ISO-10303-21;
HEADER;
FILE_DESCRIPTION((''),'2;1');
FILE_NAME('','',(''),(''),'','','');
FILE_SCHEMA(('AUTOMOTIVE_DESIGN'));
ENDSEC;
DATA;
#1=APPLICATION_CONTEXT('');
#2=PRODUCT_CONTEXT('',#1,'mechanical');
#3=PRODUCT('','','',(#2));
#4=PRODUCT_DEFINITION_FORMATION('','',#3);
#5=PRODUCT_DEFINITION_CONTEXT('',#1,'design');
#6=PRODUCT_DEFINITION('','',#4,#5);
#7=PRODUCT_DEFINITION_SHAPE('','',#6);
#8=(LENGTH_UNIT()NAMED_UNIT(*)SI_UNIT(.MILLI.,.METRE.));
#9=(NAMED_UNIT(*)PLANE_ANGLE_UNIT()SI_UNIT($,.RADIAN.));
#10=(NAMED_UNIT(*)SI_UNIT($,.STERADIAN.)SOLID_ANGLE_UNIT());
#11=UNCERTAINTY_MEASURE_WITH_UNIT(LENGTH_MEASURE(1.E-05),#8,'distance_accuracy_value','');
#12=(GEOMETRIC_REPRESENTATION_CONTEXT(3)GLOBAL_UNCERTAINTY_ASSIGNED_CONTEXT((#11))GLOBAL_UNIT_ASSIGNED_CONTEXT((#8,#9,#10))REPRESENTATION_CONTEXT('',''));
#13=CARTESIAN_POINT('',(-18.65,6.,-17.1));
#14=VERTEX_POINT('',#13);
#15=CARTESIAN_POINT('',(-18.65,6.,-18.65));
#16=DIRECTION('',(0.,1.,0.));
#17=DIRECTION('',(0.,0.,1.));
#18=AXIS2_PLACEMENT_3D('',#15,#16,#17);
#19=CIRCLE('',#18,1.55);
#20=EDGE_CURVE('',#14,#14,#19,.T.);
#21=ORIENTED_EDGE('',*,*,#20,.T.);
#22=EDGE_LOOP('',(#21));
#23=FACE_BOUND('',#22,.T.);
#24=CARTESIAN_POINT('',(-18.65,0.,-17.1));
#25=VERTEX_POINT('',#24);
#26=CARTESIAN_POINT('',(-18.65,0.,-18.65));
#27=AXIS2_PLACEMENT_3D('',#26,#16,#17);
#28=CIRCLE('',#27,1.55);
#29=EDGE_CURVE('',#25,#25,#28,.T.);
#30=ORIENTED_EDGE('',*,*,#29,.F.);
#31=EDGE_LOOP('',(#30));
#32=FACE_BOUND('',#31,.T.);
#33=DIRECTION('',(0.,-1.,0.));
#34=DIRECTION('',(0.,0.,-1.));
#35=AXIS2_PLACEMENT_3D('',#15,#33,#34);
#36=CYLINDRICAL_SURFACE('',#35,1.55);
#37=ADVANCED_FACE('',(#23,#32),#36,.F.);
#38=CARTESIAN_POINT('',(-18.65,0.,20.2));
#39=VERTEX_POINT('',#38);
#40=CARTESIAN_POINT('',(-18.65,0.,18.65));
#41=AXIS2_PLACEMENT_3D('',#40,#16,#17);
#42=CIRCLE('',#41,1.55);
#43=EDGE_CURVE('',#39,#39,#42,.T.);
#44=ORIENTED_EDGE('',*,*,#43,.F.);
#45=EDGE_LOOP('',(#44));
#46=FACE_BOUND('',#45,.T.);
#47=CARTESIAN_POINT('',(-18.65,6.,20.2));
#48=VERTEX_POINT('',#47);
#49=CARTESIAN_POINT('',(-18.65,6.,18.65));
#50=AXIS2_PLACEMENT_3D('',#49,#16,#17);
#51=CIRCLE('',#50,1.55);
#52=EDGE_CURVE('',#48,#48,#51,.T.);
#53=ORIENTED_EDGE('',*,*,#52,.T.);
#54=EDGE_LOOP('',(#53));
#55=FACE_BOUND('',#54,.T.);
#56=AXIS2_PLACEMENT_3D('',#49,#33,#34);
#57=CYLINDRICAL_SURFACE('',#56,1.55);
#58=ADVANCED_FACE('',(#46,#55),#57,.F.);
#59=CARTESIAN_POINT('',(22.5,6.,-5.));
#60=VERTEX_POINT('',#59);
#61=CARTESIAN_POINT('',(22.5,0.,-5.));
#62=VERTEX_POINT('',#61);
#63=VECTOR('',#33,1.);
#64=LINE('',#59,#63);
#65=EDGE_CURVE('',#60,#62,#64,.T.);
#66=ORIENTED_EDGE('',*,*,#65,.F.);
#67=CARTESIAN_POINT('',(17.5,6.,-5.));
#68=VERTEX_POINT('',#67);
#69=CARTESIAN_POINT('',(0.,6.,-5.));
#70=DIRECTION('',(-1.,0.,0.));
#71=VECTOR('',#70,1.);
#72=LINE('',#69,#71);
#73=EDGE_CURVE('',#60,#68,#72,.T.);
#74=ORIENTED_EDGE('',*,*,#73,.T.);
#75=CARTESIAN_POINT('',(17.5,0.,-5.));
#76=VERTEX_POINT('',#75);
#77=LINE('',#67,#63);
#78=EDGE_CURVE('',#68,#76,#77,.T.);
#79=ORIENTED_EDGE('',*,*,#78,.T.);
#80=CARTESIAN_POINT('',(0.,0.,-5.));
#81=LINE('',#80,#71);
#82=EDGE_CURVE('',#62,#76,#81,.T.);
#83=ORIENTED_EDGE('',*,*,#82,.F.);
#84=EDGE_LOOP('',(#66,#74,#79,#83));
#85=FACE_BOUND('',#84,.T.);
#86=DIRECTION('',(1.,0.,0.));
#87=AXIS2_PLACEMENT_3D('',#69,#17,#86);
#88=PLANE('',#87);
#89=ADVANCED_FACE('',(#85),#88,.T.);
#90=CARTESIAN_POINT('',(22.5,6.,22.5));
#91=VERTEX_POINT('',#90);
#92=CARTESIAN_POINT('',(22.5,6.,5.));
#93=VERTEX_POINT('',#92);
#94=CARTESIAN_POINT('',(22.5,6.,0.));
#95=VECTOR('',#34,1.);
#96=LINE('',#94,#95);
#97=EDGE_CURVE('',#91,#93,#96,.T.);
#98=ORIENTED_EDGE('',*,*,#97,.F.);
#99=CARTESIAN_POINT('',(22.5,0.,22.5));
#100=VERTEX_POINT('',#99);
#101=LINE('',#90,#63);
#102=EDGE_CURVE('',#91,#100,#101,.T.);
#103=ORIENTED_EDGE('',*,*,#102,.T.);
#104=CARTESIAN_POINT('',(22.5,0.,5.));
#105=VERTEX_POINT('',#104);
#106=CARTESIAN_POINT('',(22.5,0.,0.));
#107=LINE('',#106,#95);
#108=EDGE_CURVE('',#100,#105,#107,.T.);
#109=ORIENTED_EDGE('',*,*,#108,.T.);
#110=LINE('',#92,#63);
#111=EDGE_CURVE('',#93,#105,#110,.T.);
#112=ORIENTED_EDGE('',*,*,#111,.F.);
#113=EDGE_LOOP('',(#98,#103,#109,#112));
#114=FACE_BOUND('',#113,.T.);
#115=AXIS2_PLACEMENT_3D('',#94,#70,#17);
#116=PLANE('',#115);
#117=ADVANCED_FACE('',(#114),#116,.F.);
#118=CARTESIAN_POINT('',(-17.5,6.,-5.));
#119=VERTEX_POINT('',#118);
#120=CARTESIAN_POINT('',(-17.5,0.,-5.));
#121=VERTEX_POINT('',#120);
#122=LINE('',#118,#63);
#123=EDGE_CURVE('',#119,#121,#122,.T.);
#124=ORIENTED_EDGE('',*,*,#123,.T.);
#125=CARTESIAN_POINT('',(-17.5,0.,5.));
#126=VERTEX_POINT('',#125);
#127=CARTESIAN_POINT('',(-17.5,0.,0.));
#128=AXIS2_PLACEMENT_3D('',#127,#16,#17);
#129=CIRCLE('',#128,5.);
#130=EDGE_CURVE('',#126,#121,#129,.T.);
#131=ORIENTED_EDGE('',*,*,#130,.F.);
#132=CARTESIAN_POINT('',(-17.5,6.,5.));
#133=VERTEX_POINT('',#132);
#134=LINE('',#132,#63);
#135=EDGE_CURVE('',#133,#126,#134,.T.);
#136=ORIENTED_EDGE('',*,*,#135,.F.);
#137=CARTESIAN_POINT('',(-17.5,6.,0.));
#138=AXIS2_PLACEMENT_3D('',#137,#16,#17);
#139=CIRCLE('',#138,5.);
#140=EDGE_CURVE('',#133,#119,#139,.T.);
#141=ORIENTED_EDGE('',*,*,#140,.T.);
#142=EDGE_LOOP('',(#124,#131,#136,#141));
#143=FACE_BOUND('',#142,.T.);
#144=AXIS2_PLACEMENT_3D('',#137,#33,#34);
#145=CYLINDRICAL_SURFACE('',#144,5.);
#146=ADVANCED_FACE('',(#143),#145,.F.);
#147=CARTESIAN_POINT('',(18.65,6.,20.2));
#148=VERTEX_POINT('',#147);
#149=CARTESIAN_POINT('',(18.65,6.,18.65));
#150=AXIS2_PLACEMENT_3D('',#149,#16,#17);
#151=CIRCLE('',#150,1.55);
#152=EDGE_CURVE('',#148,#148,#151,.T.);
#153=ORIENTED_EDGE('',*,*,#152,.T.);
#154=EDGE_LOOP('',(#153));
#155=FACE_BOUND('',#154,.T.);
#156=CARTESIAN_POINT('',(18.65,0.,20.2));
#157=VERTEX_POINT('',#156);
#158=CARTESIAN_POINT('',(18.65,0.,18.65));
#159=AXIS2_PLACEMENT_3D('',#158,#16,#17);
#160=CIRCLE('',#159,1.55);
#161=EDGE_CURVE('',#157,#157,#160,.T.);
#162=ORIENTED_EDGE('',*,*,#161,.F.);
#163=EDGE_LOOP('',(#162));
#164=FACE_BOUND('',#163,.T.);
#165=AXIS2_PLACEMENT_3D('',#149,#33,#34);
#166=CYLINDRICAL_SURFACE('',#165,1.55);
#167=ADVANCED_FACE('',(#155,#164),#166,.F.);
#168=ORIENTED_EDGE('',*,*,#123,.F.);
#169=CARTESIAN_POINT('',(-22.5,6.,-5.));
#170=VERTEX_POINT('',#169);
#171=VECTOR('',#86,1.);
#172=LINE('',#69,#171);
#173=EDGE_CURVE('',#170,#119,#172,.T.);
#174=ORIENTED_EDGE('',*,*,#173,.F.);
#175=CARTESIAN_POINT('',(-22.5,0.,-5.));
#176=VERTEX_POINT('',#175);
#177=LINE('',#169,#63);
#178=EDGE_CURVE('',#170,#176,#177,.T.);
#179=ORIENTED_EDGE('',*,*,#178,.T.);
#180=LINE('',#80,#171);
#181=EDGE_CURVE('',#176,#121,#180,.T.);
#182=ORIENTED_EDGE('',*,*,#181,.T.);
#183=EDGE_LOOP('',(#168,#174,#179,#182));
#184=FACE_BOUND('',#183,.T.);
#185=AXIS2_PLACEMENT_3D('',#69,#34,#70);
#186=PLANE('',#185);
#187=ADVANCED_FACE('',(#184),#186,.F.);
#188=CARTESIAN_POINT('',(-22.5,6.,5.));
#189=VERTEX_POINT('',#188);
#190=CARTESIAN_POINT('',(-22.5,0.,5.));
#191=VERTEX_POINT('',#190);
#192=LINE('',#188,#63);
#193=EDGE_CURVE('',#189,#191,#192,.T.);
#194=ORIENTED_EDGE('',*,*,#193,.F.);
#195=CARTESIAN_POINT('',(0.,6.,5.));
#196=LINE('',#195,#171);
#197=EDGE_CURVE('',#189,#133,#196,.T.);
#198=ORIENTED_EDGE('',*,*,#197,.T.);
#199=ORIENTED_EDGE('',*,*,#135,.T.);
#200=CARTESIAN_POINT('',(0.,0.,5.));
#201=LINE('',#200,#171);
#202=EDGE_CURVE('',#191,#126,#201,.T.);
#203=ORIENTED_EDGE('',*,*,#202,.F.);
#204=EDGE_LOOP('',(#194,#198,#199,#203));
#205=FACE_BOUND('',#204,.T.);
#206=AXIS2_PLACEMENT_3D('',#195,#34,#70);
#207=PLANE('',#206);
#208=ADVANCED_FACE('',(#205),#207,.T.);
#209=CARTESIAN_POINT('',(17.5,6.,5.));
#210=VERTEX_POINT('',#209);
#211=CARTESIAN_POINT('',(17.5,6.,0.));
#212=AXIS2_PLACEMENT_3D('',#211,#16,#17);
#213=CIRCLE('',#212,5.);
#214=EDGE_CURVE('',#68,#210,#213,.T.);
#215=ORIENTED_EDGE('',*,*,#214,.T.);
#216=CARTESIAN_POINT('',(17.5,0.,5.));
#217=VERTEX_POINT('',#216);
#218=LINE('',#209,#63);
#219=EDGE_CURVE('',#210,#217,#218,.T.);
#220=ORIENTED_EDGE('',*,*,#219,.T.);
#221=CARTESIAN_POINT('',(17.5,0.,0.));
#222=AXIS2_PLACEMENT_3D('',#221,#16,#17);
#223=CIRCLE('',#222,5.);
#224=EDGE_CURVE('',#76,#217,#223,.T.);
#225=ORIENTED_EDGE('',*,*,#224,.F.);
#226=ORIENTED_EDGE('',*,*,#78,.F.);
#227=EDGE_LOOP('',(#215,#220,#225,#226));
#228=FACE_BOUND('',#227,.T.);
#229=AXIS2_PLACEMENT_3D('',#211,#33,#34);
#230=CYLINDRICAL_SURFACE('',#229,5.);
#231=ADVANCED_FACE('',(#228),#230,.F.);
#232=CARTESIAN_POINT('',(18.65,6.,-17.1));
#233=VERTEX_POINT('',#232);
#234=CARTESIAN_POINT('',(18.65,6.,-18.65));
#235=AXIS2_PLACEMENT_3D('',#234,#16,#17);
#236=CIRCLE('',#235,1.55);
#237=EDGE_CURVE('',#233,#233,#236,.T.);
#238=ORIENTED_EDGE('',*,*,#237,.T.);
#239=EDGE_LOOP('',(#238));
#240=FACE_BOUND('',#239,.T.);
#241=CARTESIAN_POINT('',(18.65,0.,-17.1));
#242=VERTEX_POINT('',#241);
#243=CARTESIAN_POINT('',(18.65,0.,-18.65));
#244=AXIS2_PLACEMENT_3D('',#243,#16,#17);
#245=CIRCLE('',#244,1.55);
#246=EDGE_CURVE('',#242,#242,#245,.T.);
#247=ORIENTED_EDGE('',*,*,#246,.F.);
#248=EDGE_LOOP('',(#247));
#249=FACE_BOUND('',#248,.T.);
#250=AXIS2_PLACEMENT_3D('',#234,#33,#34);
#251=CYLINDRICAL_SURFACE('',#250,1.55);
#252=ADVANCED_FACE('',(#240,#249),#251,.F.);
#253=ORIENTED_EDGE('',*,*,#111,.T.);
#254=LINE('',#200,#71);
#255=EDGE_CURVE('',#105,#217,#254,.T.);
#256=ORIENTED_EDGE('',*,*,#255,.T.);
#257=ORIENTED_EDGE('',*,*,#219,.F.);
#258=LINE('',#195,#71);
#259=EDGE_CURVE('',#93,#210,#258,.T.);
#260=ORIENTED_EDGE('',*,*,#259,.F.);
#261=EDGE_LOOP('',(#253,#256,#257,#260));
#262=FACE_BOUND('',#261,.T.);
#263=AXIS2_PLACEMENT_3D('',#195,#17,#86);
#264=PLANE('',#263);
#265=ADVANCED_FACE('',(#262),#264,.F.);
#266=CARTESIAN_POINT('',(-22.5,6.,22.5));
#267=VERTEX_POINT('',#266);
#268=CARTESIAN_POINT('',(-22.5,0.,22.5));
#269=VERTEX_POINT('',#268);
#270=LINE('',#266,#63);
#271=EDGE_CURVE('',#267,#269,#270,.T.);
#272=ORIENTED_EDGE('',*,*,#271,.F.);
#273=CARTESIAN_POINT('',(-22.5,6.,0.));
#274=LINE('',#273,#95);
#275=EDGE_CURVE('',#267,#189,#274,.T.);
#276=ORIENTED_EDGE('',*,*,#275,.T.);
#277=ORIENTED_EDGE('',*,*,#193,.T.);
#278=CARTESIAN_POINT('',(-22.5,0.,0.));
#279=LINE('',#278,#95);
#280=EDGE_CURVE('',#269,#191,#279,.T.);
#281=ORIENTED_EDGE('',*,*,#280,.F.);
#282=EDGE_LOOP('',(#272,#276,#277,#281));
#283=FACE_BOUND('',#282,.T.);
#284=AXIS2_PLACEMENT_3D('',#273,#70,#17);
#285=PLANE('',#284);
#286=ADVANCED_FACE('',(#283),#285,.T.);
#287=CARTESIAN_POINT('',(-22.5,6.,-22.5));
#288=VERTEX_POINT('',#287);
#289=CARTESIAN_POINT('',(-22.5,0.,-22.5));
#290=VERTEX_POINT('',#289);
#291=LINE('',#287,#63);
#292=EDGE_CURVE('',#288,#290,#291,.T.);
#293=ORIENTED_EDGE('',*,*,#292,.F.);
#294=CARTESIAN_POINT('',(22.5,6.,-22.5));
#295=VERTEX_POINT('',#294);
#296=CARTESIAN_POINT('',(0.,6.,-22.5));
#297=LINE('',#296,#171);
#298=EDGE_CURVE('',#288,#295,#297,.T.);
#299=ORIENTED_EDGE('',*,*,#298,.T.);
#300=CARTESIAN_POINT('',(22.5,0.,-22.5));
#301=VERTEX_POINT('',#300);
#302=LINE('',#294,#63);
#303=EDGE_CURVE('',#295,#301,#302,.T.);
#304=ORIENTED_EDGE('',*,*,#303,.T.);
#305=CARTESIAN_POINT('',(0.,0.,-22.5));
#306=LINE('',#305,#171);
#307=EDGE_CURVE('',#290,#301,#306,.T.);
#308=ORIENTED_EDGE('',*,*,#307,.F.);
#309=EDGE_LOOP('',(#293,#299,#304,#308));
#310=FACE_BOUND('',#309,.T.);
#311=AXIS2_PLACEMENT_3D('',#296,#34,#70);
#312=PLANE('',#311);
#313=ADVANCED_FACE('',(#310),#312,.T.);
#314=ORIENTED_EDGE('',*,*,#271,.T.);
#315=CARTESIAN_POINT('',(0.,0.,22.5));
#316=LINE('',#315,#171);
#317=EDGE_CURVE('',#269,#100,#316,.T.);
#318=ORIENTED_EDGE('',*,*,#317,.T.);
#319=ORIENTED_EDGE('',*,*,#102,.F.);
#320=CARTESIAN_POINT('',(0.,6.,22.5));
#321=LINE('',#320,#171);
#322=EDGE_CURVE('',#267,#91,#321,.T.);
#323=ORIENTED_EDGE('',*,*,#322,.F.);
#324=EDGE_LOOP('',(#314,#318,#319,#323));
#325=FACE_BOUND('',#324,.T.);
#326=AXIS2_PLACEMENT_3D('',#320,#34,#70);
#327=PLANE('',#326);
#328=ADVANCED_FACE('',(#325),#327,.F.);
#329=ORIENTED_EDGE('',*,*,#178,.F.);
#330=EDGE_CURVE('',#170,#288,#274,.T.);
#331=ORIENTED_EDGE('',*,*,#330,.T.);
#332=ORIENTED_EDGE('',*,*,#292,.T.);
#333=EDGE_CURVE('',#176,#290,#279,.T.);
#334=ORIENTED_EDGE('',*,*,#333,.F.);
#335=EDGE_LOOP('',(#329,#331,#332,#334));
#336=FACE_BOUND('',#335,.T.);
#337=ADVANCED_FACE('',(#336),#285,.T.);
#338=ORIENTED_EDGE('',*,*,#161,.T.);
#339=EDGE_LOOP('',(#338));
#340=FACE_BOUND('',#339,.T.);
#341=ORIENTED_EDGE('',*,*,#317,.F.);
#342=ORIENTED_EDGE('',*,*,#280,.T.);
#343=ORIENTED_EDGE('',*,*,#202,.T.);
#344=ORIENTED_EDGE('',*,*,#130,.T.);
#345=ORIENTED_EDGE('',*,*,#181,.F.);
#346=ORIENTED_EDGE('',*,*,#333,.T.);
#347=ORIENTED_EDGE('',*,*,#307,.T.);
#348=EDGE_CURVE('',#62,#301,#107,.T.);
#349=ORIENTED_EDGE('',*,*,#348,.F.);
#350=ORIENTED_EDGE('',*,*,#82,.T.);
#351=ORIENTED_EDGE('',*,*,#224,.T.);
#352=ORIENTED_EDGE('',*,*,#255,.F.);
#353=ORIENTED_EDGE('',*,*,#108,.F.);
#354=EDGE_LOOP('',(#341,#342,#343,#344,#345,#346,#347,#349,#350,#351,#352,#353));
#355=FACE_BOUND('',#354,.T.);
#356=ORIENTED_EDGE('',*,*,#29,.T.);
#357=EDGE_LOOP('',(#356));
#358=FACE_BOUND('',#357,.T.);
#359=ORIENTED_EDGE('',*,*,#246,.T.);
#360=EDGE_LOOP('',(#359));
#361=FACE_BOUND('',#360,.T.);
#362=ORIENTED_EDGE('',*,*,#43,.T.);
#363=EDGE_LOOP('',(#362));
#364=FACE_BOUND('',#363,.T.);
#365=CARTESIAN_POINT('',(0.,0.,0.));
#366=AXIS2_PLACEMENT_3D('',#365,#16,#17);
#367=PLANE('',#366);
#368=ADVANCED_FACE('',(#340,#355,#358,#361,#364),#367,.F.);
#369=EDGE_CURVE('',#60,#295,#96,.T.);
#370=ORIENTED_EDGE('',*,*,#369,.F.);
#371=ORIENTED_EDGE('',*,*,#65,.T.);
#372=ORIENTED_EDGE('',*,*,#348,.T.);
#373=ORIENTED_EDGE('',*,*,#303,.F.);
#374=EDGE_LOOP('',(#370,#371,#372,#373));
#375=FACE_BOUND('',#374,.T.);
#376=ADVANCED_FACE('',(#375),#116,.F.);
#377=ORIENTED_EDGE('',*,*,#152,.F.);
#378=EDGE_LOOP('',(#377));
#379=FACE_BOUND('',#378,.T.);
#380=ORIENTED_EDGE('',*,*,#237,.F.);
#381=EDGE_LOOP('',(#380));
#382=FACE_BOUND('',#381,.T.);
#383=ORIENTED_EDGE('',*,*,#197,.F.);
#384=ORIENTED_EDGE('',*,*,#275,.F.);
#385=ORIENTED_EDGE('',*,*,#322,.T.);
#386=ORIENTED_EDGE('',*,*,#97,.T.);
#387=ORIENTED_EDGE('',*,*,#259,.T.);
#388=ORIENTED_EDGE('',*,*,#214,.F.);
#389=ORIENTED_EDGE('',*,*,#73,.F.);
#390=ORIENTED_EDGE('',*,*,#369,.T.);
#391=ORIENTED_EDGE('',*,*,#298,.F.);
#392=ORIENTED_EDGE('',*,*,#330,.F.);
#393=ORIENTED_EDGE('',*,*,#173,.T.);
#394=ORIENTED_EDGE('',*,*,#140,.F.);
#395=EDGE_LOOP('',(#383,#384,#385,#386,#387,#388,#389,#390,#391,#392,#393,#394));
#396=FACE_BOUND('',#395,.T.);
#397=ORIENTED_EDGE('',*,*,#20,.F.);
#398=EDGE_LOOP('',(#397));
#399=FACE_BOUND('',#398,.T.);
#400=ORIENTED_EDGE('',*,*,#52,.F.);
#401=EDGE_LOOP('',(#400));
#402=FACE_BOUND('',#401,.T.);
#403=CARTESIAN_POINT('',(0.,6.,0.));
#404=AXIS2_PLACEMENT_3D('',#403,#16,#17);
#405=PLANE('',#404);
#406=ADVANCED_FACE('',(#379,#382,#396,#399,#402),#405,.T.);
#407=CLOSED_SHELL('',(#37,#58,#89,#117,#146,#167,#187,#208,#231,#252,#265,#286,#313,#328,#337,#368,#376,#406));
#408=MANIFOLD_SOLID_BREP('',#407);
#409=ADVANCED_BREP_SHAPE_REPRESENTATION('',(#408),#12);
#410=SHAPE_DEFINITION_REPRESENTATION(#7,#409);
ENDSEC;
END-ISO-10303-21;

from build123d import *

# Parameters (mm, degrees)
SKETCH1_R           = 1.55
BOSS_EXTRUDE1_DEPTH = 6


with BuildPart() as part:
    # Sketch1 → Boss-Extrude1 (new body)
    with BuildSketch(Plane(origin=(0, 0, 0), x_dir=(1, 0, 0), z_dir=(0, 1, 0))):
        with BuildLine():
            Line((-22.5, -5), (-22.5, -22.5))
            Line((-22.5, -22.5), (22.5, -22.5))
            Line((22.5, -22.5), (22.5, -5))
            Line((22.5, -5), (17.5, -5))
            ThreePointArc((17.5, -5), (12.5, 0), (17.5, 5))
            Line((17.5, 5), (22.5, 5))
            Line((22.5, 5), (22.5, 22.5))
            Line((22.5, 22.5), (-22.5, 22.5))
            Line((-22.5, 22.5), (-22.5, 5))
            Line((-22.5, 5), (-17.5, 5))
            ThreePointArc((-17.5, 5), (-12.5, 0), (-17.5, -5))
            Line((-17.5, -5), (-22.5, -5))
        make_face()
        with Locations(Location((-18.65, -18.65, 0), (0, 0, 270))):
            Circle(SKETCH1_R, mode=Mode.SUBTRACT)
        with Locations(Location((18.65, -18.65, 0), (0, 0, 270))):
            Circle(SKETCH1_R, mode=Mode.SUBTRACT)
        with Locations(Location((-18.65, 18.65, 0), (0, 0, 270))):
            Circle(SKETCH1_R, mode=Mode.SUBTRACT)
        with Locations(Location((18.65, 18.65, 0), (0, 0, 270))):
            Circle(SKETCH1_R, mode=Mode.SUBTRACT)
    extrude(amount=BOSS_EXTRUDE1_DEPTH)


solid = part.part
